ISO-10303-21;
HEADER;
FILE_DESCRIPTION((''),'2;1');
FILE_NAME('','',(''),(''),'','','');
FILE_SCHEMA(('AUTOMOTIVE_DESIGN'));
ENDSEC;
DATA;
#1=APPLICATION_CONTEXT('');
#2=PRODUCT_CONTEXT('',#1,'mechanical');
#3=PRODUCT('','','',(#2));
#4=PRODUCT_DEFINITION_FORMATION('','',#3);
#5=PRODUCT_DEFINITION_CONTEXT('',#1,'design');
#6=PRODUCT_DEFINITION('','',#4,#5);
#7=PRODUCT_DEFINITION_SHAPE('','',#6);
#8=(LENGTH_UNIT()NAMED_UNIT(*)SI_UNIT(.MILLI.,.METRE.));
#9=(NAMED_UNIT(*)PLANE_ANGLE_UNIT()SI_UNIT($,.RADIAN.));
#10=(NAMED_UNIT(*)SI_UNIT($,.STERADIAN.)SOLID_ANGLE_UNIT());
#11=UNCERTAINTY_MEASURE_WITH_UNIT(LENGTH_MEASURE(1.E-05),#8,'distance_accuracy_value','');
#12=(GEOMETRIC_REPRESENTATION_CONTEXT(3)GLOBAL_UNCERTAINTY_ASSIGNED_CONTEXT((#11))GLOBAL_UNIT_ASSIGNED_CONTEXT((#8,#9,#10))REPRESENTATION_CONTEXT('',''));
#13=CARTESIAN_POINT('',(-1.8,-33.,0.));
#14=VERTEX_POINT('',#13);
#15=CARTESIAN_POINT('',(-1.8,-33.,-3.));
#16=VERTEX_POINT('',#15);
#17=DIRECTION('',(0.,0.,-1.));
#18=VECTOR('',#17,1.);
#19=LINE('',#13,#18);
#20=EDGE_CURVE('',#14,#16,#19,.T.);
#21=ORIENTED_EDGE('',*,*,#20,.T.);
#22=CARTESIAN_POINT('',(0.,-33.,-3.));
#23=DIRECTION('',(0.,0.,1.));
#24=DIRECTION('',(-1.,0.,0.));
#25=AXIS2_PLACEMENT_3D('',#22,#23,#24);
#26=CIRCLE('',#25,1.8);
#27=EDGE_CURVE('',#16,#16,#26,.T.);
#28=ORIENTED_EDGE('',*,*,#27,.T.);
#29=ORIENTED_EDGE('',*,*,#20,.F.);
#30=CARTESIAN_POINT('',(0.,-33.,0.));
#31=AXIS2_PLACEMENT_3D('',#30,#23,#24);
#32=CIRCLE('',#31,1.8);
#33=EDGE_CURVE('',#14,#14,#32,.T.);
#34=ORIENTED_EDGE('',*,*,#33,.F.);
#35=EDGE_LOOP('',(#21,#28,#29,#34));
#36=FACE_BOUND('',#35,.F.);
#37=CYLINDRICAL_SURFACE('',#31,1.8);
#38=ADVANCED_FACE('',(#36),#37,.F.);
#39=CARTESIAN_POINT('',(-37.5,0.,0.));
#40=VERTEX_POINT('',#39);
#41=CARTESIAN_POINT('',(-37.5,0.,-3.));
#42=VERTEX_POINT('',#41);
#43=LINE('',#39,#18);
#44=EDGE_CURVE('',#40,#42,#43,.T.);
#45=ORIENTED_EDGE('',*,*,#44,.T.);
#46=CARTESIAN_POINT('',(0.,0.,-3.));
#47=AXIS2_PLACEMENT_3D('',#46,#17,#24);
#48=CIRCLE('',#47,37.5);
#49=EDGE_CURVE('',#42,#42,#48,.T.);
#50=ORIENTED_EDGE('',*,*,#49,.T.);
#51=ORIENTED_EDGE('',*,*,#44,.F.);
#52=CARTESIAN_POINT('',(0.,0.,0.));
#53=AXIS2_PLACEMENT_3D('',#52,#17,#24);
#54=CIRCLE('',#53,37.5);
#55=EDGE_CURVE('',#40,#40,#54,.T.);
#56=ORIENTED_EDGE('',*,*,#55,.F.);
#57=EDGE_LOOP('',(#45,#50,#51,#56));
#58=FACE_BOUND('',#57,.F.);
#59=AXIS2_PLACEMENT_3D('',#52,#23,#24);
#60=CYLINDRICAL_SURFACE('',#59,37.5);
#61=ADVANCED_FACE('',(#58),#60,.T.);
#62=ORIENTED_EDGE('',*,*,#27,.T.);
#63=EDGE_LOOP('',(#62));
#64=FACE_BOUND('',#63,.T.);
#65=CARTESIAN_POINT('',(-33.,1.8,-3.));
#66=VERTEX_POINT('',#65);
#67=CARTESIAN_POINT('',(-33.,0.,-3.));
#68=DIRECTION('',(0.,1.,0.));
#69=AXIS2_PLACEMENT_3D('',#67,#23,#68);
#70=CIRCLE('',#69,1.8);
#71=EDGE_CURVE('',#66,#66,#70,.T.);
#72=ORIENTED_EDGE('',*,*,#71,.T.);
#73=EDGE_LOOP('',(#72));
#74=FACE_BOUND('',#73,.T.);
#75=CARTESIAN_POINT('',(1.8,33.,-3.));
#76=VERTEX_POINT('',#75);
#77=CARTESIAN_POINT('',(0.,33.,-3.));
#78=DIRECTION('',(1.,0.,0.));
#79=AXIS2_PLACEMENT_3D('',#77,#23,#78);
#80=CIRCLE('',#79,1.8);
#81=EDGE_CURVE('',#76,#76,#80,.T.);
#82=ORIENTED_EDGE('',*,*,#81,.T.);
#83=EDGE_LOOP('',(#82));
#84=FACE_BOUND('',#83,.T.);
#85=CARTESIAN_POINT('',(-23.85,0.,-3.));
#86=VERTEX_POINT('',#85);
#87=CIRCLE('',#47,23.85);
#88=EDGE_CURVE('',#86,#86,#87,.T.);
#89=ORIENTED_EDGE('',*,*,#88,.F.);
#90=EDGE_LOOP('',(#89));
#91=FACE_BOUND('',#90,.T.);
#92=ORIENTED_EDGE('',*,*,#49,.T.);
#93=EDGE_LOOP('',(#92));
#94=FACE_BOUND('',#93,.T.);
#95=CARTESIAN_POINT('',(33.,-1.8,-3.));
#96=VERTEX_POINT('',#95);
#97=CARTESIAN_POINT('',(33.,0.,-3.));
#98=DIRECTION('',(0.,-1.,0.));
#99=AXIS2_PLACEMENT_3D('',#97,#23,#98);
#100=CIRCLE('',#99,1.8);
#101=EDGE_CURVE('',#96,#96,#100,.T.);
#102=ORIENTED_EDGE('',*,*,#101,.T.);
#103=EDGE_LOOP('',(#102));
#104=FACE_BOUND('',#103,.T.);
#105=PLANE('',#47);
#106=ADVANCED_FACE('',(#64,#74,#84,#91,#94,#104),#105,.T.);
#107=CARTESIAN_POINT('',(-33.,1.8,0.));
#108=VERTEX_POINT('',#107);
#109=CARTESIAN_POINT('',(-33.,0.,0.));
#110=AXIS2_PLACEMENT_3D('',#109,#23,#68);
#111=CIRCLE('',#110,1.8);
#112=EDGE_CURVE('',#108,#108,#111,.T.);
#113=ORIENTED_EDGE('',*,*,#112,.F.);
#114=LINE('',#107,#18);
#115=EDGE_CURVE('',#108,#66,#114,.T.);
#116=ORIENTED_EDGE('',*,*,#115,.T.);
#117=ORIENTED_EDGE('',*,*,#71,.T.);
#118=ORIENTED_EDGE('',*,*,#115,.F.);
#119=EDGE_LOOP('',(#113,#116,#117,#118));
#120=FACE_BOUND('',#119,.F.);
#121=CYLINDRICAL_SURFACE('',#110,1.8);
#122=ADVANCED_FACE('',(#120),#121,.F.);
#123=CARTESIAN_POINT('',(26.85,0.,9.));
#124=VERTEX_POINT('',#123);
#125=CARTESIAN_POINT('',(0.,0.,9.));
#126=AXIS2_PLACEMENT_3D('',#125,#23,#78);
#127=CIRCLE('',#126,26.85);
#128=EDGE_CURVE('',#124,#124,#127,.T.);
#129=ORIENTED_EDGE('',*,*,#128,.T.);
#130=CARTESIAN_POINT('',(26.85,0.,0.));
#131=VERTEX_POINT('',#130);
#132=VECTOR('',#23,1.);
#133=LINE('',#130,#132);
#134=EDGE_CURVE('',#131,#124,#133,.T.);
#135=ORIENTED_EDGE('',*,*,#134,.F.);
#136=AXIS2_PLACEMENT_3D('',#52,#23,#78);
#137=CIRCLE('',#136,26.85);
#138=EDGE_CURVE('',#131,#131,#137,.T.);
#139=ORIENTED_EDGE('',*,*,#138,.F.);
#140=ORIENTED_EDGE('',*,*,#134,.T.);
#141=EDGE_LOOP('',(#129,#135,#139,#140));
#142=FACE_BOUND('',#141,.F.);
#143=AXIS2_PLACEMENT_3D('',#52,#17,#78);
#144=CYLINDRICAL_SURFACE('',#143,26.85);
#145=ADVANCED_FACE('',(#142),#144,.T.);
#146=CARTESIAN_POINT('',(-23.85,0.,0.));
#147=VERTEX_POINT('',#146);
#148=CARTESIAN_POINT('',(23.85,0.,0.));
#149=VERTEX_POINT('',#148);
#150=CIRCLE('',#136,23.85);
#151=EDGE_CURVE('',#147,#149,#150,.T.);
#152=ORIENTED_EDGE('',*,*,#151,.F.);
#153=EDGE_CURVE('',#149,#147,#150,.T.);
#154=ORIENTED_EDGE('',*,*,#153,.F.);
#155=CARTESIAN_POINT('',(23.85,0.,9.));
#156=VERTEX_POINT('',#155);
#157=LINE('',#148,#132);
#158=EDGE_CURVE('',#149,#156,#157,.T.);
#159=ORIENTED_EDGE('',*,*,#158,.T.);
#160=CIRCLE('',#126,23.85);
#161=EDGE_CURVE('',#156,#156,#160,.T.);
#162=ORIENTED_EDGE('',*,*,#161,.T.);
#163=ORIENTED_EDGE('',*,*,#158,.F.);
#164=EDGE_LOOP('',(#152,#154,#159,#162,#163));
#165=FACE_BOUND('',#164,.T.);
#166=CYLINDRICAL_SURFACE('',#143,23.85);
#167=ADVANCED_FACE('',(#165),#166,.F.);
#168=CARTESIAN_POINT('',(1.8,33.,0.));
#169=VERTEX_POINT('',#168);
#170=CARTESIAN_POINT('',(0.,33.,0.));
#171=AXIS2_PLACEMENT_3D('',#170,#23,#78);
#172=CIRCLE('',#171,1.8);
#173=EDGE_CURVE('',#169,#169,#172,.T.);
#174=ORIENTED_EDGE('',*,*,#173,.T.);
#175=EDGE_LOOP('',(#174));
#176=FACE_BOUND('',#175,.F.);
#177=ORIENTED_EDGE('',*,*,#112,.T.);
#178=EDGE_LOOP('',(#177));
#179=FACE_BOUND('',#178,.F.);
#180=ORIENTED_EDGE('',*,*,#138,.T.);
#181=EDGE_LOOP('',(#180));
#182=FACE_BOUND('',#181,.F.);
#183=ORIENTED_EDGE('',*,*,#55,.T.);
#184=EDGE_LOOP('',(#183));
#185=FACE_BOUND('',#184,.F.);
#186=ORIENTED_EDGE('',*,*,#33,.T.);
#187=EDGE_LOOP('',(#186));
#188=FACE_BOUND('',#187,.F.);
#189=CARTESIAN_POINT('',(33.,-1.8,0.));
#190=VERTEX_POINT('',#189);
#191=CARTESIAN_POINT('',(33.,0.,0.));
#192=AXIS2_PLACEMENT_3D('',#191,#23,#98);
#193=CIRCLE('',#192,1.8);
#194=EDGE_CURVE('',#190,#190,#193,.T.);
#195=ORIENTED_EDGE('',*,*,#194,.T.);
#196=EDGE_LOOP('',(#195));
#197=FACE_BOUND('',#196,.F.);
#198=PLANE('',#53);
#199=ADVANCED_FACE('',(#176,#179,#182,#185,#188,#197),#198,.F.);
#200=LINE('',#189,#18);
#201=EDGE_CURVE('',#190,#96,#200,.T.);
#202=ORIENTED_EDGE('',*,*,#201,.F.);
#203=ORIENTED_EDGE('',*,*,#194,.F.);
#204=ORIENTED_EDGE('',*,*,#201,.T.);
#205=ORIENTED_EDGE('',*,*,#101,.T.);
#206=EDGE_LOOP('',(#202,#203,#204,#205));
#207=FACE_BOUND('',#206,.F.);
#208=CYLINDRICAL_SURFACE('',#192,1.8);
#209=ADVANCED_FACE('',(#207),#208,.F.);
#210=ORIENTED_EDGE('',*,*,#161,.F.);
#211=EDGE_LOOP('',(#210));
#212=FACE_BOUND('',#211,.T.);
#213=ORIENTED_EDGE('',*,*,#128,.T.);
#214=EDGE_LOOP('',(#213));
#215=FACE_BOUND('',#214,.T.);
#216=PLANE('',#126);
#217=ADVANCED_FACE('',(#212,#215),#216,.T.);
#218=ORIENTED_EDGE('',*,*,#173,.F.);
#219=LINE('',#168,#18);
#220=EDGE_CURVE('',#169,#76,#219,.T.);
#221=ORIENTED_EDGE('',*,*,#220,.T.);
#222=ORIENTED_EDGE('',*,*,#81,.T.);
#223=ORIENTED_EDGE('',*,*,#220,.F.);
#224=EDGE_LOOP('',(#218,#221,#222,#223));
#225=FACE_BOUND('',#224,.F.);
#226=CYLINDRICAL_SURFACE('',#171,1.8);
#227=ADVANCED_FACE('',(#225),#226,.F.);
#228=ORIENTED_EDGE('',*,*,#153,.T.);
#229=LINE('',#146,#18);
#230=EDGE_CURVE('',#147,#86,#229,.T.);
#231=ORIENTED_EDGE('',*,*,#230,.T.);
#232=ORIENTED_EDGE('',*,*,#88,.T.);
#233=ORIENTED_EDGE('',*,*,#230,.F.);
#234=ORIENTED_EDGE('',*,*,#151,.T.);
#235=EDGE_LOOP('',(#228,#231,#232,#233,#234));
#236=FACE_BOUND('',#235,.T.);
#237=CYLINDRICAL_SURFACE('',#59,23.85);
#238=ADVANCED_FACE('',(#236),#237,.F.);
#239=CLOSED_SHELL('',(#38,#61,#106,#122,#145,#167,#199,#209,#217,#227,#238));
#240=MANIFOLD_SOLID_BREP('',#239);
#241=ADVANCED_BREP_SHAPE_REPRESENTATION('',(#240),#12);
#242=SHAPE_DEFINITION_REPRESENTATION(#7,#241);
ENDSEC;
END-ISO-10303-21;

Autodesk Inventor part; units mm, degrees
ref_plane "YZ Plane" through (0, 0, 0) normal (1, 0, 0) x (0, 1, 0)
ref_plane "XZ Plane" through (0, 0, 0) normal (0, 1, 0) x (-1, 0, 0)
ref_plane "XY Plane" through (0, 0, 0) normal (0, 0, 1) x (1, 0, 0)
sketch "Boceto1" plane through (0, 0, 0) normal (0, 0, 1) x (1, 0, 0)
  circle A0 centre (0, 0) radius 23.85
  circle A1 centre (0, 0) radius 26.85
  dimension "d0" = 47.7
  dimension "d1" = 3
extrude "Extrusión1" add sketch "Boceto1" along normal blind 9
sketch "Boceto2" plane through (0, 0, 0) normal (0, 0, -1) x (-1, 0, 0)
  circle A0 centre (0, 0) radius 37.5
  circle A1 centre (0, 0) radius 23.85 projected
  dimension "d4" = 75
extrude "Extrusión2" add sketch "Boceto2" along normal blind 3
sketch "Boceto6" plane through (0, 0, 0) normal (0, 0, 1) x (1, 0, 0)
  circle A0 centre (0, 33) radius 1.8
  point P0 (0, 0)
  dimension "d19" = 3.6
  dimension "d20" = 33
extrude "Extrusión5" cut sketch "Boceto6" against normal blind 10
pattern_circular "Patrón circular1" count 4 over 360 about axis through (0, 0, -10) along (0, 0, 1) of "Extrusión5"
properties part number "AcoplecN°2"
